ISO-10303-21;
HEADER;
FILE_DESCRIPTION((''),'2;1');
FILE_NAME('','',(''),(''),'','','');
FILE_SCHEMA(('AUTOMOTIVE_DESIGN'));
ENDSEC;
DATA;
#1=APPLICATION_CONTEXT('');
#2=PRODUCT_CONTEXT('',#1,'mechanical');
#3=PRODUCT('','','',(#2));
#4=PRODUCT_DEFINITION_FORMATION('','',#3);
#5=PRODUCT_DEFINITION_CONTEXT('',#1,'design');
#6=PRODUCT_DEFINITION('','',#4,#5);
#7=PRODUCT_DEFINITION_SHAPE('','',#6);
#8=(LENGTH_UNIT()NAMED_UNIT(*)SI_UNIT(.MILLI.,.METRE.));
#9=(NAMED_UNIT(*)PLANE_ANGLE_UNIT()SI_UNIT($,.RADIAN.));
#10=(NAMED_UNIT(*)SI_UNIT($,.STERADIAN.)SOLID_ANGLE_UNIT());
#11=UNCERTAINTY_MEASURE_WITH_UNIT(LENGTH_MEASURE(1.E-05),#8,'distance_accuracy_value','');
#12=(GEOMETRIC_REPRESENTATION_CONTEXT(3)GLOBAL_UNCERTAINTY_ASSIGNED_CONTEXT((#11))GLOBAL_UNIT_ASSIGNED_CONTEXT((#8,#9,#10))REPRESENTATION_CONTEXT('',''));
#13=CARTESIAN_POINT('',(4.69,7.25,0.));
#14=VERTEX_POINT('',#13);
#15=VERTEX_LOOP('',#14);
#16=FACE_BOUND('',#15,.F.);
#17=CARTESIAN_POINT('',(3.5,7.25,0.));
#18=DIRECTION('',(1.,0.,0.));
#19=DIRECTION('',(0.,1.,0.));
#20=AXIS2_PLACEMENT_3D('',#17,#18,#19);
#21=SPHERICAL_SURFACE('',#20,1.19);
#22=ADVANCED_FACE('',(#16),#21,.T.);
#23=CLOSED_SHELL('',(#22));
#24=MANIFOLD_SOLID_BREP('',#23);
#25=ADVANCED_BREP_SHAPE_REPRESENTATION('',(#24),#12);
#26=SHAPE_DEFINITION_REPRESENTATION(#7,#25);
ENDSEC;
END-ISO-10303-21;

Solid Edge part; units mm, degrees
sketch "Sketch1" plane through (0, 0, 0) normal (0, 0, 1) x (1, 0, 0)
  arc A0 (2.31, 7.25) -> (4.69, 7.25) centre (3.5, 7.25) cw
  line L0 (4.69, 7.25) -> (2.31, 7.25)
revolve "RevolvedProtrusion1" add sketch "Sketch1" angle 360 about axis through (4.69, 7.25, 0) along (-1, 0, 0)
